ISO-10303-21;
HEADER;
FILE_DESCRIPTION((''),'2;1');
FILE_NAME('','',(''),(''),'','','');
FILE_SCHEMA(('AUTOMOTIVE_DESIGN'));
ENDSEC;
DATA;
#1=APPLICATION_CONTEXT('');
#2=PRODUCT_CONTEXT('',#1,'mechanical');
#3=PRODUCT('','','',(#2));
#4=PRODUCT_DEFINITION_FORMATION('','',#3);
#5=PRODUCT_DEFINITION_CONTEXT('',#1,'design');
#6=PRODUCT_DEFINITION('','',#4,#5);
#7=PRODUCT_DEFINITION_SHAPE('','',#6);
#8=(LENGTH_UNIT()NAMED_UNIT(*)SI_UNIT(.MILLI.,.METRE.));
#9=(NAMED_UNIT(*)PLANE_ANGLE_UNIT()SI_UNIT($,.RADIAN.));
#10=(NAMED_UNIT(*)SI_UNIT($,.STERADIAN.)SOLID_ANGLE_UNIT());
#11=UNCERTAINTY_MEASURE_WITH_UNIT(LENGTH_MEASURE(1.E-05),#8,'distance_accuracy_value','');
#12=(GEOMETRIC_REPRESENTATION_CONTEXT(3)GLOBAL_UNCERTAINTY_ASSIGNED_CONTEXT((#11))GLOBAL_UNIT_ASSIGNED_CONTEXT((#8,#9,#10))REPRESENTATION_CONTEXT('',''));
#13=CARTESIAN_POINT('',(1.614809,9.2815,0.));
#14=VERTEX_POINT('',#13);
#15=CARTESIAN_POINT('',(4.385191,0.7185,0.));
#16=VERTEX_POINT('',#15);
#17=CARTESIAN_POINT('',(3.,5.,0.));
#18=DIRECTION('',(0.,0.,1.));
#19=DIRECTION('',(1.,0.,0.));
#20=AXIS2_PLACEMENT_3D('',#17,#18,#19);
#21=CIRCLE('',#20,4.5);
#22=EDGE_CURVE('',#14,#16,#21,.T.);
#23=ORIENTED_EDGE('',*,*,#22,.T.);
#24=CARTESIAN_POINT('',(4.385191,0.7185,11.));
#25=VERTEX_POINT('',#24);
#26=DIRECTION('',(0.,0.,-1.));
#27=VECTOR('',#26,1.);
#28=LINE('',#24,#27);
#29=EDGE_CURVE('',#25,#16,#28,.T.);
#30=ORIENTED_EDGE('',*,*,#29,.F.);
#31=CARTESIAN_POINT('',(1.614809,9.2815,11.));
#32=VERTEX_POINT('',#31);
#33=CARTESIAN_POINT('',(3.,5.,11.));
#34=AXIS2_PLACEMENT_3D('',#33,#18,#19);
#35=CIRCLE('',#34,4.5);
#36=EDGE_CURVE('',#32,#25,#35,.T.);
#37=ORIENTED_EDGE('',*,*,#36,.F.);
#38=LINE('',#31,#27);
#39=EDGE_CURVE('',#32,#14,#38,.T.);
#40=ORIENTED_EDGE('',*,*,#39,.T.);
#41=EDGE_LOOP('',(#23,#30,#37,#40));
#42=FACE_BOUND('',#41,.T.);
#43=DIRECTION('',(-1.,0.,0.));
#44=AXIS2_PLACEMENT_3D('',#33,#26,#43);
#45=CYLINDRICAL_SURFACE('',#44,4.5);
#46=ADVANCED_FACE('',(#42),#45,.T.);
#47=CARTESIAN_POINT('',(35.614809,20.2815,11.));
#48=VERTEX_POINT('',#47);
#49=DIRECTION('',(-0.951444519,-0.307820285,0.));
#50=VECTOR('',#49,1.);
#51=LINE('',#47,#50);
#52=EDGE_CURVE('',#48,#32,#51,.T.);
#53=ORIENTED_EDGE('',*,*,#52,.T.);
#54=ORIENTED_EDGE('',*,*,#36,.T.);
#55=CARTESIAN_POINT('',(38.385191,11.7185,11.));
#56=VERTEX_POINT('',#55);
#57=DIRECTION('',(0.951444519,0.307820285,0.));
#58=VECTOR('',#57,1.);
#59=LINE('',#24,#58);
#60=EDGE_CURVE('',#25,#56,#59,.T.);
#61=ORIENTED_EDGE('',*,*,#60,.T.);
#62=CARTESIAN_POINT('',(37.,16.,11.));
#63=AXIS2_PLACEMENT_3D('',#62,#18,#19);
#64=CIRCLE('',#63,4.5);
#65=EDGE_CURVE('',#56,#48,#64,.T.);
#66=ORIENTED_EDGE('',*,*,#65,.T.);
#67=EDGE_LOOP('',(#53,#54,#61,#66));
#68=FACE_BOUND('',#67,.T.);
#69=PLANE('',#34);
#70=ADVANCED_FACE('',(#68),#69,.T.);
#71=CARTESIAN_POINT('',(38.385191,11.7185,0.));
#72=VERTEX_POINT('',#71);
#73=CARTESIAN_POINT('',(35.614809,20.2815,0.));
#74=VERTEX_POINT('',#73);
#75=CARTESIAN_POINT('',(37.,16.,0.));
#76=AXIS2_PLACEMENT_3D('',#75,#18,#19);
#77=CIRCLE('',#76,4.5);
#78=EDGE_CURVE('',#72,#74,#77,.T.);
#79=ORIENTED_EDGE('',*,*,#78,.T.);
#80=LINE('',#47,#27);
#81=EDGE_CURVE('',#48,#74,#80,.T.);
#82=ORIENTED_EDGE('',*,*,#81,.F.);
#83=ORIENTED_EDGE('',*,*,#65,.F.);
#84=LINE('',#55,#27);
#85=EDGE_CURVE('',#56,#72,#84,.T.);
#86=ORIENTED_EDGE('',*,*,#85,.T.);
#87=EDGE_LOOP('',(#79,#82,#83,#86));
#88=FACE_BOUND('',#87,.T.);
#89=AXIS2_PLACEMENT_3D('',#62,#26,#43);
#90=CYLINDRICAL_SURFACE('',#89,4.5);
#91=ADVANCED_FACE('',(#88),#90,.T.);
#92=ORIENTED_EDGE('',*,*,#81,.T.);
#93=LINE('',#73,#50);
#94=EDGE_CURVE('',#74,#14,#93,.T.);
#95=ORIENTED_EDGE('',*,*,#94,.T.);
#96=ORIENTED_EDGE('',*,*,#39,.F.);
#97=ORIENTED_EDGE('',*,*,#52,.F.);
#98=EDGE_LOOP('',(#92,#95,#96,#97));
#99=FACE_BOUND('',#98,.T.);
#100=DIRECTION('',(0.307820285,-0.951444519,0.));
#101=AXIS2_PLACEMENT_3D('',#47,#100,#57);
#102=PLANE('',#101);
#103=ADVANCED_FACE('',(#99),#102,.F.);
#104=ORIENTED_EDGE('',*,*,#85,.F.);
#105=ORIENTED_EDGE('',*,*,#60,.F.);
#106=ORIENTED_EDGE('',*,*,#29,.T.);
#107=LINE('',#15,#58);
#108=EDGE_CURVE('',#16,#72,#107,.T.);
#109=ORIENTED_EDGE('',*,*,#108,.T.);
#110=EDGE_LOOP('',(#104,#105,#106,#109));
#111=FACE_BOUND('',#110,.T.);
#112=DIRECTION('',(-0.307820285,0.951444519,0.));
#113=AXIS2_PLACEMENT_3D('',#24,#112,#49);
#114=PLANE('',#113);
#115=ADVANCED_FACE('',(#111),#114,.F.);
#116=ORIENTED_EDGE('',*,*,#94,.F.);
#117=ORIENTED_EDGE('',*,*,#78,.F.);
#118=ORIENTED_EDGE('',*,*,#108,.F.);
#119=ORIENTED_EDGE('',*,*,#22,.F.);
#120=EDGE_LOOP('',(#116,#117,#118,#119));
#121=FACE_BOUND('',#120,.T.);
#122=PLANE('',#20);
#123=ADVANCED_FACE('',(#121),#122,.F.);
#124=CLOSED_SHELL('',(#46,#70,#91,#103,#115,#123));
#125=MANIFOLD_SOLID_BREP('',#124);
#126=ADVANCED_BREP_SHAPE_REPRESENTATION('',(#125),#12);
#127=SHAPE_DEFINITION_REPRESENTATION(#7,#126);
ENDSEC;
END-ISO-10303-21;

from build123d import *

# Parameters (mm, degrees)
BOSS_EXTRUDE1_DEPTH = 11


with BuildPart() as part:
    # Sketch1 → Boss-Extrude1 (new body)
    with BuildSketch(Plane.XY):
        with BuildLine():
            Line((4.385191284, 0.718499667), (38.385191284, 11.718499667))
            ThreePointArc((38.385191284, 11.718499667), (41.281500333, 17.385191284), (35.614808716, 20.281500333))
            Line((35.614808716, 20.281500333), (1.614808716, 9.281500333))
            ThreePointArc((1.614808716, 9.281500333), (-1.281500333, 3.614808716), (4.385191284, 0.718499667))
        make_face()
    extrude(amount=BOSS_EXTRUDE1_DEPTH)


solid = part.part
